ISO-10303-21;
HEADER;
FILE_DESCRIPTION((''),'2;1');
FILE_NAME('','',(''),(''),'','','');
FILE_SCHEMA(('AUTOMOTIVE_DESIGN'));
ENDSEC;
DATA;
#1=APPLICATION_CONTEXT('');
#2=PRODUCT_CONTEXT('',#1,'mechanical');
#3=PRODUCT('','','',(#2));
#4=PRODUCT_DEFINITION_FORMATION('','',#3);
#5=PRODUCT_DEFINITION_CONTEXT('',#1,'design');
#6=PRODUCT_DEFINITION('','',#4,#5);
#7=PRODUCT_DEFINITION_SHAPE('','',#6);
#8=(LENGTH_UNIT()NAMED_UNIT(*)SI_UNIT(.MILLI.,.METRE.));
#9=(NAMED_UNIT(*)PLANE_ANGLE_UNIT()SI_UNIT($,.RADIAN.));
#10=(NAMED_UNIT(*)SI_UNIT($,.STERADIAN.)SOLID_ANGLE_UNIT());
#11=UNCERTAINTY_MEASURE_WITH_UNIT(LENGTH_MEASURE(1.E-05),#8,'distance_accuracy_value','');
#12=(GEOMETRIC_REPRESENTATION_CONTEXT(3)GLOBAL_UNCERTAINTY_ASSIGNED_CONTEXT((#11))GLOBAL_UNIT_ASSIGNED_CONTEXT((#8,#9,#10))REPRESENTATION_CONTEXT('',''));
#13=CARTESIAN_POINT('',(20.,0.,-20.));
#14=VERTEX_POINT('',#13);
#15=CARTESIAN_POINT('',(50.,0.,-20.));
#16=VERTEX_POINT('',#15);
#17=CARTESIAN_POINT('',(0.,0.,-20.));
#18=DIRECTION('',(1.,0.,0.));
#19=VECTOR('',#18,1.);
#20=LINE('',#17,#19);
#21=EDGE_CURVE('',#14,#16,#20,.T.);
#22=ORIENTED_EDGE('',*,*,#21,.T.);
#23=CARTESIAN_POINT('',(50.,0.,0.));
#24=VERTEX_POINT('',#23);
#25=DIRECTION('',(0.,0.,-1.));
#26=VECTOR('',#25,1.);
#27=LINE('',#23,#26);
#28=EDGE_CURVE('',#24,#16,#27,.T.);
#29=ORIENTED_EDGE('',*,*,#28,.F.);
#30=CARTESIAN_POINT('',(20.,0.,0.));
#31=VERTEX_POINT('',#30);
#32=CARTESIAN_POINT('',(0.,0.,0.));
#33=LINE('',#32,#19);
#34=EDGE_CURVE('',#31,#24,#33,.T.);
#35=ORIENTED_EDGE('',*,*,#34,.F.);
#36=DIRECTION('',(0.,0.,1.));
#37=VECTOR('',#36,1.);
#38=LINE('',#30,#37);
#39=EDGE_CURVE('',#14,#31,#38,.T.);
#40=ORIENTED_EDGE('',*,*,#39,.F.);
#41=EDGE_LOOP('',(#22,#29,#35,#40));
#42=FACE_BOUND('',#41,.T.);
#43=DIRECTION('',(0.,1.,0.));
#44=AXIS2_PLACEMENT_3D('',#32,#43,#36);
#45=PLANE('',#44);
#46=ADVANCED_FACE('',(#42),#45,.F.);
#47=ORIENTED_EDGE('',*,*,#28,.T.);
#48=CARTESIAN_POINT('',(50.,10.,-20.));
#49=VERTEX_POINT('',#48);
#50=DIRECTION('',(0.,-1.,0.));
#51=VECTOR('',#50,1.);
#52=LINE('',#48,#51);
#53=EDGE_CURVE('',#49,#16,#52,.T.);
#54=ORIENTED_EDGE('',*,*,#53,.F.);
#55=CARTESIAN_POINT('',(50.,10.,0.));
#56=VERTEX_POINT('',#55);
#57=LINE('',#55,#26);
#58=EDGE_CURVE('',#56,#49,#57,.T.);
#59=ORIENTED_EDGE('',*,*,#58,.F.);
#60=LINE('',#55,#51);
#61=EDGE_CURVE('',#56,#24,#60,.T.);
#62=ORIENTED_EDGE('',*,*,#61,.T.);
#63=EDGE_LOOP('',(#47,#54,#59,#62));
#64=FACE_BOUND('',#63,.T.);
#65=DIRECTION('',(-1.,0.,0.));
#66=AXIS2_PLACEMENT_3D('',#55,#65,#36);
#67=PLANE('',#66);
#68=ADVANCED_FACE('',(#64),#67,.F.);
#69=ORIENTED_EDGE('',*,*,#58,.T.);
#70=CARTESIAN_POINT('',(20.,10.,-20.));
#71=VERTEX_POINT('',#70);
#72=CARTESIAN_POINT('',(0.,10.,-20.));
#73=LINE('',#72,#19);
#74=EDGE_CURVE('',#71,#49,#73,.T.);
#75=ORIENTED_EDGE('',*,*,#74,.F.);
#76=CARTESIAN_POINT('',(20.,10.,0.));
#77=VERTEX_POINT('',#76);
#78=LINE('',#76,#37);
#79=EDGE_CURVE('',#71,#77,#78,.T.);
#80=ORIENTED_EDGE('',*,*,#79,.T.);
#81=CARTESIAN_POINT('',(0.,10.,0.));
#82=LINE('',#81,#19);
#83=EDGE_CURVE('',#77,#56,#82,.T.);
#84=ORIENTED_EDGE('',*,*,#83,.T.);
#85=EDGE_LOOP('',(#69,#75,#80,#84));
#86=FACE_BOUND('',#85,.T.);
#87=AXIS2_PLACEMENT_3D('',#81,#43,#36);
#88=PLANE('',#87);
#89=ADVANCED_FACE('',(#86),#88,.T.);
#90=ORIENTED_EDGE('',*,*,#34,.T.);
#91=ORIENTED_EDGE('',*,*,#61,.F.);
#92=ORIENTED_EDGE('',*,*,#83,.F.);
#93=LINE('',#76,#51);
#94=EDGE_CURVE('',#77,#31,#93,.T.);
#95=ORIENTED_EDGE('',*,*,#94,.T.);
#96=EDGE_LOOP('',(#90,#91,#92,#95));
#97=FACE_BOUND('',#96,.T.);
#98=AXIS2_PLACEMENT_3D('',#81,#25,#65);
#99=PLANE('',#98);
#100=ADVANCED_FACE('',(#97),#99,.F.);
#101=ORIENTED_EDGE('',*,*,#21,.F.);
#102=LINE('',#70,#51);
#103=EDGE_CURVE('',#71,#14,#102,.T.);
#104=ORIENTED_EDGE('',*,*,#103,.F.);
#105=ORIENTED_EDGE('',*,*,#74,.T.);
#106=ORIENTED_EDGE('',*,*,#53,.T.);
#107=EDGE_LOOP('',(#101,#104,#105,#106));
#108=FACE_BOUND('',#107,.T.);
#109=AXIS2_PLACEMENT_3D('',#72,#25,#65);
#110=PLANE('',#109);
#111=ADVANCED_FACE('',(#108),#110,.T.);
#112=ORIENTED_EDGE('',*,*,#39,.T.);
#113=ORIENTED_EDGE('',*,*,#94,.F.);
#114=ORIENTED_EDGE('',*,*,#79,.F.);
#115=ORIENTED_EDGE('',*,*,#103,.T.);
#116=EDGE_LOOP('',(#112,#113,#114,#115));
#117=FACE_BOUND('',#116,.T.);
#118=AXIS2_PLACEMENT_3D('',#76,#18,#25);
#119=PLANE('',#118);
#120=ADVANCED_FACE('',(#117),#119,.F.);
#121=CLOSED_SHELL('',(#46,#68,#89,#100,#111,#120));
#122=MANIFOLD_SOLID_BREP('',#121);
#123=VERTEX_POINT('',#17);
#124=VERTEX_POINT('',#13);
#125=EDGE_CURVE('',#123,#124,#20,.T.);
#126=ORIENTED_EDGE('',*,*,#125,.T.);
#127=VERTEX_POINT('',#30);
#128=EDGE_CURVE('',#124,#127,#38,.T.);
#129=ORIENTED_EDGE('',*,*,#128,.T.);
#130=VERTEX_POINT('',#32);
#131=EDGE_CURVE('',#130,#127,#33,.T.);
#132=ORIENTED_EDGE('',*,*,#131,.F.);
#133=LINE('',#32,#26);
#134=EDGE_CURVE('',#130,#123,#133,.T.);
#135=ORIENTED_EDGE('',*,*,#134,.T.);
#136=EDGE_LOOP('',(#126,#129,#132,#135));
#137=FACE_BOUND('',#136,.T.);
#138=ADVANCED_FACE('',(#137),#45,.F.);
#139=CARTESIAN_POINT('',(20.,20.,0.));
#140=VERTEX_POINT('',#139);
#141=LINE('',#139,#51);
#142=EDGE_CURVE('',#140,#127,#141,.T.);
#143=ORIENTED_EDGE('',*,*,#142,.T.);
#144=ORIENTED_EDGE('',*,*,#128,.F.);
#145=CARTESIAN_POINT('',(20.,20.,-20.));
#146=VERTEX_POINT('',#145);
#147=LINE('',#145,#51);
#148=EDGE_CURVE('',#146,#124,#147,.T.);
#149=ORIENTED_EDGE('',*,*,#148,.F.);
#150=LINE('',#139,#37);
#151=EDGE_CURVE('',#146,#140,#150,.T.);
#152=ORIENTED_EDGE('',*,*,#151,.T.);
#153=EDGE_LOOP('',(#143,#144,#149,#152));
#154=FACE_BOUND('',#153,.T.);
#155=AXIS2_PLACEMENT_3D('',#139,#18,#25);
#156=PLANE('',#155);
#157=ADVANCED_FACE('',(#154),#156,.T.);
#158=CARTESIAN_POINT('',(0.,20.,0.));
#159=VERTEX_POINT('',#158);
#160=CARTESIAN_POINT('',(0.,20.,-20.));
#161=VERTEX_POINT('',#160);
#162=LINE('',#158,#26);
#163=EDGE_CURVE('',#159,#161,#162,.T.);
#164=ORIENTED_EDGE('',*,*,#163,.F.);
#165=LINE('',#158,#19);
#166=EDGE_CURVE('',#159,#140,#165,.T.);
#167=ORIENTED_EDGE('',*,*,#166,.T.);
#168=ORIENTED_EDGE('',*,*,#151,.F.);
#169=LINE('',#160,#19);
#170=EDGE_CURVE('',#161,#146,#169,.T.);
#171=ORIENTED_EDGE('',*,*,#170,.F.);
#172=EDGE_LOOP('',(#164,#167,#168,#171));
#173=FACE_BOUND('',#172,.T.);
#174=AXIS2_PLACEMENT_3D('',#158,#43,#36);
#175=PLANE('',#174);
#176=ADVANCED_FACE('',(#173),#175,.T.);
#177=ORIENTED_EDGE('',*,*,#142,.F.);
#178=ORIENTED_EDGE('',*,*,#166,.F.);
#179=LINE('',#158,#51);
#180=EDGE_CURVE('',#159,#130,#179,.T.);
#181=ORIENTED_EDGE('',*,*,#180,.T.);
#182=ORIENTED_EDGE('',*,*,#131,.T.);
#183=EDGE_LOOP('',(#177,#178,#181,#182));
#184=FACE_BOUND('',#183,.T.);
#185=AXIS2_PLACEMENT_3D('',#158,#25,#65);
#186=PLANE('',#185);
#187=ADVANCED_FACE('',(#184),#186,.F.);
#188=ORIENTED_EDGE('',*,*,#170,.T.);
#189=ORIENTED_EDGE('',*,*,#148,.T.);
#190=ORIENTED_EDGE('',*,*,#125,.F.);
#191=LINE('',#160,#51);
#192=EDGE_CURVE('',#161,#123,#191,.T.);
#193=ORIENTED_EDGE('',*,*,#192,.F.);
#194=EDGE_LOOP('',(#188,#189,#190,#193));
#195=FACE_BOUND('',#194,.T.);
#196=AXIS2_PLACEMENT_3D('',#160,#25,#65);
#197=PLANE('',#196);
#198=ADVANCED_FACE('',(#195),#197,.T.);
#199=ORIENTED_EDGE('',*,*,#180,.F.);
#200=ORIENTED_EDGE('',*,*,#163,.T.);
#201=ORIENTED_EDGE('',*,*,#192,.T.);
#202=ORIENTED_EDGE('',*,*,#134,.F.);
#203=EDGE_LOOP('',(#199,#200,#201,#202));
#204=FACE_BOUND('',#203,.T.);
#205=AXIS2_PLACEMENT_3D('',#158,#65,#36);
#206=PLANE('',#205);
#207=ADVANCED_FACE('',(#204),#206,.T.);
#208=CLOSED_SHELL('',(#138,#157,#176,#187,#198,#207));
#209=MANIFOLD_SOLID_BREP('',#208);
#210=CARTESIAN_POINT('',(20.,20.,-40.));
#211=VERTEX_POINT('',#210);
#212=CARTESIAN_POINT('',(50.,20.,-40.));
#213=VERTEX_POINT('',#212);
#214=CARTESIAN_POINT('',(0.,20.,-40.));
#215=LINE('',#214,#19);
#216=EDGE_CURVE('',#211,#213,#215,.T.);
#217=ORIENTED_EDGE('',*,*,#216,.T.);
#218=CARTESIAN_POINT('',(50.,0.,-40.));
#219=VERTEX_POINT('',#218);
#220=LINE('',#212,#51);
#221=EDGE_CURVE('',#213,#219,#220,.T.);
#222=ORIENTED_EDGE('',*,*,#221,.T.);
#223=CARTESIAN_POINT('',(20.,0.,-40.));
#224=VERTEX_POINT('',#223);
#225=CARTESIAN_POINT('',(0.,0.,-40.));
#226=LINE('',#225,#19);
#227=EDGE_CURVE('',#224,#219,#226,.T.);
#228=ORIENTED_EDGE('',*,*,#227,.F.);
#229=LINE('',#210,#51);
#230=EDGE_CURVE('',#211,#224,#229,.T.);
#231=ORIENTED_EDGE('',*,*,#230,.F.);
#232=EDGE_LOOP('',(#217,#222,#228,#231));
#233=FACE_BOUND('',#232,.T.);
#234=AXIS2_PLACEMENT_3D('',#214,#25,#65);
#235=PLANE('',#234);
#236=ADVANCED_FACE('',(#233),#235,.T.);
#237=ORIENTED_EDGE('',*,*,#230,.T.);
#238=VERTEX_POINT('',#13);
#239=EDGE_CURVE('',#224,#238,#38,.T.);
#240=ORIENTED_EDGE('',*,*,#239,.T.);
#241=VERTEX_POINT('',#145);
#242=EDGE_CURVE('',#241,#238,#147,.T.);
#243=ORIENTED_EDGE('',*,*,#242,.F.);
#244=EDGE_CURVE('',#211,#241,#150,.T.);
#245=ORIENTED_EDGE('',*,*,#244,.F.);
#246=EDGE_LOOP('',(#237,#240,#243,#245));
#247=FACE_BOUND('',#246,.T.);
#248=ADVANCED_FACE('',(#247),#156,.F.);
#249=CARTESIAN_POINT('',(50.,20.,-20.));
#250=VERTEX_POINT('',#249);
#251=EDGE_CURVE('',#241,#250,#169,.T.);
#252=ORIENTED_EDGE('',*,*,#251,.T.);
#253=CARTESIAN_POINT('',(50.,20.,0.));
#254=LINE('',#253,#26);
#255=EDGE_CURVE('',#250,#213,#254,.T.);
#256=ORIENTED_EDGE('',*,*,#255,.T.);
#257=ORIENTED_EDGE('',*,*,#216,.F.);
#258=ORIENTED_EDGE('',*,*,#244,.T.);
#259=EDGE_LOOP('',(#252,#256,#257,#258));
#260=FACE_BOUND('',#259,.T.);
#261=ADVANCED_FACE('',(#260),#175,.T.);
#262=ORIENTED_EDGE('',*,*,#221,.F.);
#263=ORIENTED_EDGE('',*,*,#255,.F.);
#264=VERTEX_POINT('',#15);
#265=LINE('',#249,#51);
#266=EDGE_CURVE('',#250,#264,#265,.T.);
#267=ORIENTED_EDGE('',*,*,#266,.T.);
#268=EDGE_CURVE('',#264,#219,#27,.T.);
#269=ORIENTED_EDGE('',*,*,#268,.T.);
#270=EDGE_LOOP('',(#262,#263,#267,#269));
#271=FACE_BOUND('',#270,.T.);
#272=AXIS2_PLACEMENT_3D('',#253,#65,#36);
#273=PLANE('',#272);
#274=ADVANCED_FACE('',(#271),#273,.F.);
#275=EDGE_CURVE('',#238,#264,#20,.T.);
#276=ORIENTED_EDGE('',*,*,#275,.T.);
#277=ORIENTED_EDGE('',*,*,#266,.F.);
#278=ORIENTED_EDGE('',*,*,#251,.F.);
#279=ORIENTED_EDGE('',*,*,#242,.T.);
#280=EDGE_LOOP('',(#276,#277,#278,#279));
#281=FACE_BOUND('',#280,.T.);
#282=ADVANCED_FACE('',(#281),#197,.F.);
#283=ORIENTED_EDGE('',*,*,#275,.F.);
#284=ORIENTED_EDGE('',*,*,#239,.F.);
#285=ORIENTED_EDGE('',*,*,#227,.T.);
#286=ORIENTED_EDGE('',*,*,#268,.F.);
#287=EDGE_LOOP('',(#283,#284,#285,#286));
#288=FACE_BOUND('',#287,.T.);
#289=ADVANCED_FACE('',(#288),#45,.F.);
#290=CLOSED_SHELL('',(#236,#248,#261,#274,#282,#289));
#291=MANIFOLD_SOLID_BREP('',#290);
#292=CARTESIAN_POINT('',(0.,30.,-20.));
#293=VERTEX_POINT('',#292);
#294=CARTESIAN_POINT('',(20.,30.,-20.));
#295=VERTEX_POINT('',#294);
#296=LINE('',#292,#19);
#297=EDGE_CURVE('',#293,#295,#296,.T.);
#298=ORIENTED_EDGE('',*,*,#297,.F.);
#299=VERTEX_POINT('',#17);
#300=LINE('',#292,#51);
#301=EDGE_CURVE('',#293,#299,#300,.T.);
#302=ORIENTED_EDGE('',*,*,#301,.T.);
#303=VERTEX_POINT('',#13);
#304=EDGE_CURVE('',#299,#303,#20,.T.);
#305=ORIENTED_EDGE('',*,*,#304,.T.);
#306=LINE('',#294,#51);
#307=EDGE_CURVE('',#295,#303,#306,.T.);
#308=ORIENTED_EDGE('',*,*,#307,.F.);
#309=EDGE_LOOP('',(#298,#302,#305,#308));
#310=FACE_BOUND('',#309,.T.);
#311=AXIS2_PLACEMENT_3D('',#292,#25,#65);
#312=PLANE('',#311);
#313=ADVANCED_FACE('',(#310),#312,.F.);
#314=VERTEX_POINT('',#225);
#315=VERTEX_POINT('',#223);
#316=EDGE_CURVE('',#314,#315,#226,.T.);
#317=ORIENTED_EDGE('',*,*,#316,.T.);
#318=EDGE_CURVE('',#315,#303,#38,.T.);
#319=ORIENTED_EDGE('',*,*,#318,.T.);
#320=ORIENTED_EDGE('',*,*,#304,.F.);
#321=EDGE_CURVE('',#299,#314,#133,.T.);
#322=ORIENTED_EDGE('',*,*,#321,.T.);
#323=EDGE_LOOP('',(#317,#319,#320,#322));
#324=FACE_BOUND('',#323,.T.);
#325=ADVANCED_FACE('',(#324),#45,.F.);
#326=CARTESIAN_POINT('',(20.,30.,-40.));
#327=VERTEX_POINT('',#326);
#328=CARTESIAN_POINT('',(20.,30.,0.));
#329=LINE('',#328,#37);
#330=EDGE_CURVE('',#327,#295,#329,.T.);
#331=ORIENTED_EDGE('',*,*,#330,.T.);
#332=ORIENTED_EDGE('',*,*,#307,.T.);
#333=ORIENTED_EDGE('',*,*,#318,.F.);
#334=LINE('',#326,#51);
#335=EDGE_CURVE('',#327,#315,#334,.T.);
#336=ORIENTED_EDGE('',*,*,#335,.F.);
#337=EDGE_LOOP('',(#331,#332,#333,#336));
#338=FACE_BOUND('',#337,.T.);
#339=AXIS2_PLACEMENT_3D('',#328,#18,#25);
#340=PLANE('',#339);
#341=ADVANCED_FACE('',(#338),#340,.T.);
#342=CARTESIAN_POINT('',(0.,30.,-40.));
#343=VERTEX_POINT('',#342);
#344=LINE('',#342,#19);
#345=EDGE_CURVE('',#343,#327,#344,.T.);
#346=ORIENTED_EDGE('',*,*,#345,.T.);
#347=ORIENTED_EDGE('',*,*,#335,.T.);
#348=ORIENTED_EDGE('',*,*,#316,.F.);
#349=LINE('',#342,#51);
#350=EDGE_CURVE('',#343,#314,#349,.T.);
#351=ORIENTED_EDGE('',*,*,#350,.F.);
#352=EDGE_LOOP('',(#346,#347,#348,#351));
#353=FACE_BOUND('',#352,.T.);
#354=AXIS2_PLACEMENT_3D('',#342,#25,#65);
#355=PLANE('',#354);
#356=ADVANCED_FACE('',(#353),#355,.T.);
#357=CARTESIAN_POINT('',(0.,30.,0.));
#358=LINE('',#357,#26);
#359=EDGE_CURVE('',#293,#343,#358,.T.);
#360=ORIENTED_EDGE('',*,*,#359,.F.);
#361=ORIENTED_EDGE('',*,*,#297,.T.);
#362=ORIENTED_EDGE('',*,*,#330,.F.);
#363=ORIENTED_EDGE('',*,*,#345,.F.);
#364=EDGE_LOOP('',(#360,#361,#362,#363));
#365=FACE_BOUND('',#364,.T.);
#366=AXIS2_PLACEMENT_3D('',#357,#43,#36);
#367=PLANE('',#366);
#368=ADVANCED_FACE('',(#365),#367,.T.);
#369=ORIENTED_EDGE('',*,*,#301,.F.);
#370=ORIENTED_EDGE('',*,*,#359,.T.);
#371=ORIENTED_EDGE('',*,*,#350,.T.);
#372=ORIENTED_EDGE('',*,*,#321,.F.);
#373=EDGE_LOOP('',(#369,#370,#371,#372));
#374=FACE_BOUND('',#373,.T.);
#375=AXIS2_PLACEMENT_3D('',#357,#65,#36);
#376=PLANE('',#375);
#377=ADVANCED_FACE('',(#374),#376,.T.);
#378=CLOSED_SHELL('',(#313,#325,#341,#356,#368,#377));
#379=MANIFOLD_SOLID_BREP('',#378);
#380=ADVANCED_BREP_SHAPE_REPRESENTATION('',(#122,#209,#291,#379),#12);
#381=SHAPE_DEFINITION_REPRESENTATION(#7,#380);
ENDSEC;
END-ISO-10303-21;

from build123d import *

# Parameters (mm, degrees)
SKETCH1_W             = 30
SKETCH1_H             = 20
BOSS_EXTRUDE1_DEPTH   = 20
SKETCH1_W_2           = 20
BOSS_EXTRUDE1_2_DEPTH = 20
SKETCH1_3_W           = 30
SKETCH1_3_H           = 20
BOSS_EXTRUDE3_DEPTH   = 10
SKETCH1_4_W           = 20
SKETCH1_4_H           = 20
BOSS_EXTRUDE4_DEPTH   = 30


with BuildPart() as part:
    # Sketch1 → Boss-Extrude1 (new body)
    with BuildSketch(Plane(origin=(0, 0, 0), x_dir=(1, 0, 0), z_dir=(0, 1, 0))):
        with Locations((35, 30)):
            Rectangle(SKETCH1_W, SKETCH1_H)
    extrude(amount=BOSS_EXTRUDE1_DEPTH)


with BuildPart() as body_2:
    # Sketch1 → Boss-Extrude1 2 (new body)
    with BuildSketch(Plane(origin=(0, 0, 0), x_dir=(1, 0, 0), z_dir=(0, 1, 0))):
        with Locations((10, 10)):
            Rectangle(SKETCH1_W_2, SKETCH1_H)
    extrude(amount=BOSS_EXTRUDE1_2_DEPTH)


with BuildPart() as body_3:
    # Sketch1<3> → Boss-Extrude3 (new body)
    with BuildSketch(Plane(origin=(0, 0, 0), x_dir=(1, 0, 0), z_dir=(0, 1, 0))):
        with Locations((35, 10)):
            Rectangle(SKETCH1_3_W, SKETCH1_3_H)
    extrude(amount=BOSS_EXTRUDE3_DEPTH)


with BuildPart() as body_4:
    # Sketch1<4> → Boss-Extrude4 (new body)
    with BuildSketch(Plane(origin=(0, 0, 0), x_dir=(1, 0, 0), z_dir=(0, 1, 0))):
        with Locations((10, 30)):
            Rectangle(SKETCH1_4_W, SKETCH1_4_H)
    extrude(amount=BOSS_EXTRUDE4_DEPTH)


solid = Compound([part.part, body_2.part, body_3.part, body_4.part])
